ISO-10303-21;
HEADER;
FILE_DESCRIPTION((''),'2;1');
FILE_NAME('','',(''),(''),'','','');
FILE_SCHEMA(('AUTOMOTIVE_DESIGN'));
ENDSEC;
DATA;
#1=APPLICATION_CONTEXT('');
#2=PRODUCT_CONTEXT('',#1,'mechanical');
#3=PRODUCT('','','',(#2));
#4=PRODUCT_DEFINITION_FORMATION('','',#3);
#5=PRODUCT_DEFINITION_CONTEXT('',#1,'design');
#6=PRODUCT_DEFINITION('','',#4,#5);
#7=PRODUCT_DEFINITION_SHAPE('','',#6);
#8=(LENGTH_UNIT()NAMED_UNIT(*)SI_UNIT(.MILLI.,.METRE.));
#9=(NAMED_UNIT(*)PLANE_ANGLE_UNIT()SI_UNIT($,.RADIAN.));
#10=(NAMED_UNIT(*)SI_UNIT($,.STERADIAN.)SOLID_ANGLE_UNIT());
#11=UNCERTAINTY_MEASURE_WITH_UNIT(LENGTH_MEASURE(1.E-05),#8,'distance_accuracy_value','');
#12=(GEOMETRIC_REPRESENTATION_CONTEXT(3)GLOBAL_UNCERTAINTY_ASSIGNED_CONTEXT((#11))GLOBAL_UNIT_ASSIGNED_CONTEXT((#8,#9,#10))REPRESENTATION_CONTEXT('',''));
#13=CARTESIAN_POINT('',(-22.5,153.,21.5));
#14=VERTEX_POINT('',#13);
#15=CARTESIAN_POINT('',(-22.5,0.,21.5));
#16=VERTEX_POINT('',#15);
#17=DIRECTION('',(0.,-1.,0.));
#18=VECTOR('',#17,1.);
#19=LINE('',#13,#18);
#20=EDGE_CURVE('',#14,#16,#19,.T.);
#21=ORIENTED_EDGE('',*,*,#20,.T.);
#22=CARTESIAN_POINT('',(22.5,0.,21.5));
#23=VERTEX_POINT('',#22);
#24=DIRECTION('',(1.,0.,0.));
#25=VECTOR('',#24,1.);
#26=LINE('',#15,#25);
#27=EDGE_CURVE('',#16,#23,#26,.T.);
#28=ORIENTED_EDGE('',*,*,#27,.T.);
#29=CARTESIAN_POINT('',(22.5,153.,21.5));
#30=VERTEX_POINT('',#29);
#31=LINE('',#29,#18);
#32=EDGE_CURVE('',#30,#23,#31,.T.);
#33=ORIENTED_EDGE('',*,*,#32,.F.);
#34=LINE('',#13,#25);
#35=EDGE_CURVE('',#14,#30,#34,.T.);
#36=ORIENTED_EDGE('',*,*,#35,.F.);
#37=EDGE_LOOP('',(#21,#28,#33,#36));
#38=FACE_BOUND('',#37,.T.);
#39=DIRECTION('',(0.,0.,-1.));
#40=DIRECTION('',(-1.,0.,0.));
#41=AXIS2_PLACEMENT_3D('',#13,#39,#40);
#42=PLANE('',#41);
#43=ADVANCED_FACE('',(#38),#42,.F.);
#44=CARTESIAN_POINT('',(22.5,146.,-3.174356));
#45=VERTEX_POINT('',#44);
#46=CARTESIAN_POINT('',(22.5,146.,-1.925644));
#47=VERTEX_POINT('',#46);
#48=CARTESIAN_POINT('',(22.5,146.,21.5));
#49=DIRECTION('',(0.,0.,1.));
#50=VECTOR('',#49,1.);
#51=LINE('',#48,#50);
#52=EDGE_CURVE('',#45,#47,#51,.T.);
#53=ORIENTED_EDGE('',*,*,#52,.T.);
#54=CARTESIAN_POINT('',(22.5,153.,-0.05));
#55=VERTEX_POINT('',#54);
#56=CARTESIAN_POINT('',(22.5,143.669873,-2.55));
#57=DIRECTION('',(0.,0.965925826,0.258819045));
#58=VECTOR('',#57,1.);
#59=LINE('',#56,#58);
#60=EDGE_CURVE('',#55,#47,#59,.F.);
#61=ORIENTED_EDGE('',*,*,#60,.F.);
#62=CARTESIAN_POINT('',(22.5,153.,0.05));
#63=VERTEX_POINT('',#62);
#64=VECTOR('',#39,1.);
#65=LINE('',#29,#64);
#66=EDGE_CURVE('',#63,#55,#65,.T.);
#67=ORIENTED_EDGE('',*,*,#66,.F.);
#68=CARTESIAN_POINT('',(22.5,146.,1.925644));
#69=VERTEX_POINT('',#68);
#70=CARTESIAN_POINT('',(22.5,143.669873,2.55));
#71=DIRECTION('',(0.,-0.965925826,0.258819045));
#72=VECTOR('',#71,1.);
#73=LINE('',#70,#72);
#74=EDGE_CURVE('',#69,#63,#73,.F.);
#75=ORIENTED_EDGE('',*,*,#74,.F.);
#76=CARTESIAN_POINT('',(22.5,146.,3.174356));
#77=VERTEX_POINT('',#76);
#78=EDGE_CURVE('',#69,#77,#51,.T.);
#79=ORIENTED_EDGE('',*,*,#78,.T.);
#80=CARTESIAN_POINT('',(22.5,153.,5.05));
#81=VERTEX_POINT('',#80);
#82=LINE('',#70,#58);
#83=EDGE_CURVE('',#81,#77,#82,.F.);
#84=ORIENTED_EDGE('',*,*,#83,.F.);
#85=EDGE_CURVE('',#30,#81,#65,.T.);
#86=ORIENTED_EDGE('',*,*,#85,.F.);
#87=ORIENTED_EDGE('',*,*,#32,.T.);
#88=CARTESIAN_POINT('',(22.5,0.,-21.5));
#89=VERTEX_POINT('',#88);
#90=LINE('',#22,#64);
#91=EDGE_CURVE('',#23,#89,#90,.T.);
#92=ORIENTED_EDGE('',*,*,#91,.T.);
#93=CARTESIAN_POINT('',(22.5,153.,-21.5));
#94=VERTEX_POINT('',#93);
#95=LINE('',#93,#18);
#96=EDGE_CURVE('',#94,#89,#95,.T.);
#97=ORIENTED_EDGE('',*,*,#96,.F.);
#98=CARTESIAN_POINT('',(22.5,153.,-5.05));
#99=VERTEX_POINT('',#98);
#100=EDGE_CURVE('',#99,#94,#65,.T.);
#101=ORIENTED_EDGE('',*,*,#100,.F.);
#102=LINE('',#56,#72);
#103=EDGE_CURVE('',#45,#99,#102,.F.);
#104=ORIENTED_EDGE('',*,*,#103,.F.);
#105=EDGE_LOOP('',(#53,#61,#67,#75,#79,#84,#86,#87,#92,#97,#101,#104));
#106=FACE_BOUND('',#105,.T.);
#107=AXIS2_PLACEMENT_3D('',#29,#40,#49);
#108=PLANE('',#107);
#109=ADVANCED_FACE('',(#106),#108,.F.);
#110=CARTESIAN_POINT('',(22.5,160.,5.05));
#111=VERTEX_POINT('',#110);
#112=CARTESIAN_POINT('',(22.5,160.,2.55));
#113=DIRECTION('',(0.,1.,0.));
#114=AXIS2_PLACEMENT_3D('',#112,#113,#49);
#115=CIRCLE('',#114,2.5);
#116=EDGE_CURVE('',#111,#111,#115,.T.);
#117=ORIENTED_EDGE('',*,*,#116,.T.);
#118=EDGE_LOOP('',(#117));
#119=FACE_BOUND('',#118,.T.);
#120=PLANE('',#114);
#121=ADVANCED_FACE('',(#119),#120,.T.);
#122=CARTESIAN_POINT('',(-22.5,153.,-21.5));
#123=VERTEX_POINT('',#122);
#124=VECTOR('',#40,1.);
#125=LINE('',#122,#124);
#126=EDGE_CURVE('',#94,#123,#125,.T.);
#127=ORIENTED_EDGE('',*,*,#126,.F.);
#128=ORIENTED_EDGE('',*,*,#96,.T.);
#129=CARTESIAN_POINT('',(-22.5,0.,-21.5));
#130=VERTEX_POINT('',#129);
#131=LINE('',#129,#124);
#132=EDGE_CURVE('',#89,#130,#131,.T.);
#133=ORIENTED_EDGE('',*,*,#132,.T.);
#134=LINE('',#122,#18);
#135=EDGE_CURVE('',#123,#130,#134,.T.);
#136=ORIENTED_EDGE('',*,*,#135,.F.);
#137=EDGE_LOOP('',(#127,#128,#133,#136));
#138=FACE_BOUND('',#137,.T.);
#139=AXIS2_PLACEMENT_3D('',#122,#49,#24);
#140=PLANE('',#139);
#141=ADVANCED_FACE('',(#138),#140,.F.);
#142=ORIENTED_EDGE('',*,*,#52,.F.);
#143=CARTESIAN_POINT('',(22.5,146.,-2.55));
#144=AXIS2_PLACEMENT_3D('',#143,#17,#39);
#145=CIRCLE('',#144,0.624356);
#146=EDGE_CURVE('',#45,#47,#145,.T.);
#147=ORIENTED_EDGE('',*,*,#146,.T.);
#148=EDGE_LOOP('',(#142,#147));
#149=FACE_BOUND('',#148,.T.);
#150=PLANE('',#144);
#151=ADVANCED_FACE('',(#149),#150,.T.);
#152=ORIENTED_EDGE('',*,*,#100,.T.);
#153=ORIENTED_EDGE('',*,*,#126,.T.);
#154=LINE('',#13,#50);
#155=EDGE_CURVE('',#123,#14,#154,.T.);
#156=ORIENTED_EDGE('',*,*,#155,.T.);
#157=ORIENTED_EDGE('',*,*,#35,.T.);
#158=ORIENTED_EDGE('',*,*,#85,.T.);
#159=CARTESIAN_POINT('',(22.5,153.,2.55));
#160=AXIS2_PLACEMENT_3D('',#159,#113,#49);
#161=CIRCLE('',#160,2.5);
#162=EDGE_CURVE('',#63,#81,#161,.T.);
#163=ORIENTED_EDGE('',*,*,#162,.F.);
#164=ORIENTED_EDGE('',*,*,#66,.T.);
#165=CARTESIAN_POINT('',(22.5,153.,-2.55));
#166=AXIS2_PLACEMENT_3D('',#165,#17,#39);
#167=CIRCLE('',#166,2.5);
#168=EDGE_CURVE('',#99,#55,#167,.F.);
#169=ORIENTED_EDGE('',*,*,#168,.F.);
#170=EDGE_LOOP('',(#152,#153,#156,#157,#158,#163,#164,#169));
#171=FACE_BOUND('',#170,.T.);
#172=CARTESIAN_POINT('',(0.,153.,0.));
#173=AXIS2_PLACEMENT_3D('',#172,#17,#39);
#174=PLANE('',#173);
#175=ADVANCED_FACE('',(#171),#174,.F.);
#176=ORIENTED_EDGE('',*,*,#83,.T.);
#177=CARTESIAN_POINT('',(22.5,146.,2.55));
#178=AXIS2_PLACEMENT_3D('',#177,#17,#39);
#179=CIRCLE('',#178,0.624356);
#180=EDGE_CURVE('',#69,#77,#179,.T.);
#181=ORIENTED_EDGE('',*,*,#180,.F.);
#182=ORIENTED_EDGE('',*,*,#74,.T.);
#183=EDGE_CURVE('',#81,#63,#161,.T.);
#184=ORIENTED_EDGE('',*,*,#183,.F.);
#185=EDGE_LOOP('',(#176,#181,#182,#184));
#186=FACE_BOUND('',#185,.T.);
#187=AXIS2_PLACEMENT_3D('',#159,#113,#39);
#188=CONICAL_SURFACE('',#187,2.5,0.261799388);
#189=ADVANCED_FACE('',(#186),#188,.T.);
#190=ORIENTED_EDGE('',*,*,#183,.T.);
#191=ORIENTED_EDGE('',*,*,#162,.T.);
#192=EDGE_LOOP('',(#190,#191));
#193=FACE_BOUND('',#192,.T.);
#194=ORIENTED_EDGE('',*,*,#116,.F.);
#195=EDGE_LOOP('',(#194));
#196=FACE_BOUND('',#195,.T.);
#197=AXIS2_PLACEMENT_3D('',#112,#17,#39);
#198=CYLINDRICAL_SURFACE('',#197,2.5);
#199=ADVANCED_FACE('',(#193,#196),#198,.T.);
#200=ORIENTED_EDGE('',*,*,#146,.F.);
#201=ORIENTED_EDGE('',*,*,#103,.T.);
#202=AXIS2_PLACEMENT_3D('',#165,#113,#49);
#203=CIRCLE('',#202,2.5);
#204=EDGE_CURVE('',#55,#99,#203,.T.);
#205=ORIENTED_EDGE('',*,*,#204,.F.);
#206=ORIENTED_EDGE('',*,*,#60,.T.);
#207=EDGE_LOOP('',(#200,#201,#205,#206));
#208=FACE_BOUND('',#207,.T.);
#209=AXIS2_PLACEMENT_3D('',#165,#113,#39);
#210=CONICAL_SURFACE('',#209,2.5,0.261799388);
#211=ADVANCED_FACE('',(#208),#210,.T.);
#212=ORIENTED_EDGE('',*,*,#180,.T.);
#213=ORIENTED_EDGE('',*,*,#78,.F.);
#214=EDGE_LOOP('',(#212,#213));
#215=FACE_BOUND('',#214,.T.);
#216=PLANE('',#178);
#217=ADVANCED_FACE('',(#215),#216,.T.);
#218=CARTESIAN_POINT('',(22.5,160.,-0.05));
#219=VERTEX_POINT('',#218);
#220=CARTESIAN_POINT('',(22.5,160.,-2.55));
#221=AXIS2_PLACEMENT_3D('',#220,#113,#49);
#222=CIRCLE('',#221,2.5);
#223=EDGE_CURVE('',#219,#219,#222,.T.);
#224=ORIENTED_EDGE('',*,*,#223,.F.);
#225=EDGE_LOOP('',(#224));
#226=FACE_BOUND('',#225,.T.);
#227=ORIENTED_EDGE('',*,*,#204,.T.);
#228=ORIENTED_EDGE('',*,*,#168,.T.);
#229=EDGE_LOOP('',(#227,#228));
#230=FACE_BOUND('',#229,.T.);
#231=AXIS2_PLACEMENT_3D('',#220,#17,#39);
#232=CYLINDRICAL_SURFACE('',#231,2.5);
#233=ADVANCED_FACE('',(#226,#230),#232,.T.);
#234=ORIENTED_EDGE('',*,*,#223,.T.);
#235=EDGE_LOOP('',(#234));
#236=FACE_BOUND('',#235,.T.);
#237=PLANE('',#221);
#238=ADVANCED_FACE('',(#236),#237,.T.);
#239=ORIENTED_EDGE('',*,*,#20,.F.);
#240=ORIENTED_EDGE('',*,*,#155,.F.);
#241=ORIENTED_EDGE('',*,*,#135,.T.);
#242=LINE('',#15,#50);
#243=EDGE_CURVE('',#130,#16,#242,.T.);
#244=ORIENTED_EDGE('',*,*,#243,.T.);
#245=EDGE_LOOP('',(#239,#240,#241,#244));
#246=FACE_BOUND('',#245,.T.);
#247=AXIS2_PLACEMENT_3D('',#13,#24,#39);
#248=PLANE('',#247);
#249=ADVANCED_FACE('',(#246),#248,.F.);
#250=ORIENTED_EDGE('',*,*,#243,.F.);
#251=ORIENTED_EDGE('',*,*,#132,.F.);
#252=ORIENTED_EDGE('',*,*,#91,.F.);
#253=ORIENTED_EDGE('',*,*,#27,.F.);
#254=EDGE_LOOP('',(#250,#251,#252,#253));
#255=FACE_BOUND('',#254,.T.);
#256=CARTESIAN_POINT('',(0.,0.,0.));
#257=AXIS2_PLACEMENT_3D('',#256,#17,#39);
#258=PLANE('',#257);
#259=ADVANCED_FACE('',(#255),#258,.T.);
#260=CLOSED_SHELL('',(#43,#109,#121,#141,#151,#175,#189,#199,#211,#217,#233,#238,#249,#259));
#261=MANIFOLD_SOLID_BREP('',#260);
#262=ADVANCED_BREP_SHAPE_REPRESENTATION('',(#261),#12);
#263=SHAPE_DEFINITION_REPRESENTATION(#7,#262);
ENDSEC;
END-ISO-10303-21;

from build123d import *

# Parameters (mm, degrees)
SKETCH1_W                     = 45
SKETCH1_H                     = 43
BOSS_EXTRUDE1_DEPTH           = 153
SKETCH2_R                     = 2.5
BOSS_EXTRUDE4_DEPTH           = 7
SKETCH3_R                     = 2.5
BOSS_EXTRUDE5_DEPTH           = 7
BOSS_EXTRUDE5_DRAFT           = 15
BOSS_EXTRUDE5_PROFILE_2_DEPTH = 7
BOSS_EXTRUDE5_PROFILE_2_DRAFT = 15


with BuildPart() as part:
    # Sketch1 → Boss-Extrude1 (new body)
    with BuildSketch(Plane(origin=(0, 0, 0), x_dir=(1, 0, 0), z_dir=(0, 1, 0))):
        Rectangle(SKETCH1_W, SKETCH1_H)
    extrude(amount=BOSS_EXTRUDE1_DEPTH)

    # Sketch2 → Boss-Extrude4 (add)
    with BuildSketch(Plane(origin=(0, 153, 0), x_dir=(1, 0, 0), z_dir=(0, 1, 0))):
        with Locations(Location((22.5, -2.55, 0), (0, 0, 270))):
            Circle(SKETCH2_R)
        with Locations(Location((22.5, 2.55, 0), (0, 0, 270))):
            Circle(SKETCH2_R)
    extrude(amount=BOSS_EXTRUDE4_DEPTH)


with BuildPart() as boss_extrude5_tool:
    # Sketch3 → Boss-Extrude5 (with draft: the straight prism first)
    with BuildSketch(Plane.XZ.offset(-153)):
        with Locations(Location((22.5, 2.55, 0), (0, 0, 90))):
            Circle(SKETCH3_R)
    extrude(amount=BOSS_EXTRUDE5_DEPTH)
    # Boss-Extrude5: the draft: its side faces are tilted about the plane it starts from
    boss_extrude5_sides = [boss_extrude5_tool.faces().sort_by_distance(p)[0] for p in [
        (22.5, 149.5, 0.05),
    ]]
    draft(boss_extrude5_sides, Plane.XZ.offset(-153), BOSS_EXTRUDE5_DRAFT)


with BuildPart() as part_1:
    add(part.part)

    # Boss-Extrude5: add boss_extrude5_tool
    add(boss_extrude5_tool.part)


with BuildPart() as boss_extrude5_profile_2_tool:
    # Sketch3 → Boss-Extrude5 profile 2 (with draft: the straight prism first)
    with BuildSketch(Plane.XZ.offset(-153)):
        with Locations(Location((22.5, -2.55, 0), (0, 0, 90))):
            Circle(SKETCH3_R)
    extrude(amount=BOSS_EXTRUDE5_PROFILE_2_DEPTH)
    # Boss-Extrude5 profile 2: the draft: its side faces are tilted about the plane it starts from
    boss_extrude5_profile_2_sides = [boss_extrude5_profile_2_tool.faces().sort_by_distance(p)[0] for p in [
        (22.5, 149.5, -5.05),
    ]]
    draft(boss_extrude5_profile_2_sides, Plane.XZ.offset(-153), BOSS_EXTRUDE5_PROFILE_2_DRAFT)


with BuildPart() as part_2:
    add(part_1.part)

    # Boss-Extrude5 profile 2: add boss_extrude5_profile_2_tool
    add(boss_extrude5_profile_2_tool.part)


solid = part_2.part
